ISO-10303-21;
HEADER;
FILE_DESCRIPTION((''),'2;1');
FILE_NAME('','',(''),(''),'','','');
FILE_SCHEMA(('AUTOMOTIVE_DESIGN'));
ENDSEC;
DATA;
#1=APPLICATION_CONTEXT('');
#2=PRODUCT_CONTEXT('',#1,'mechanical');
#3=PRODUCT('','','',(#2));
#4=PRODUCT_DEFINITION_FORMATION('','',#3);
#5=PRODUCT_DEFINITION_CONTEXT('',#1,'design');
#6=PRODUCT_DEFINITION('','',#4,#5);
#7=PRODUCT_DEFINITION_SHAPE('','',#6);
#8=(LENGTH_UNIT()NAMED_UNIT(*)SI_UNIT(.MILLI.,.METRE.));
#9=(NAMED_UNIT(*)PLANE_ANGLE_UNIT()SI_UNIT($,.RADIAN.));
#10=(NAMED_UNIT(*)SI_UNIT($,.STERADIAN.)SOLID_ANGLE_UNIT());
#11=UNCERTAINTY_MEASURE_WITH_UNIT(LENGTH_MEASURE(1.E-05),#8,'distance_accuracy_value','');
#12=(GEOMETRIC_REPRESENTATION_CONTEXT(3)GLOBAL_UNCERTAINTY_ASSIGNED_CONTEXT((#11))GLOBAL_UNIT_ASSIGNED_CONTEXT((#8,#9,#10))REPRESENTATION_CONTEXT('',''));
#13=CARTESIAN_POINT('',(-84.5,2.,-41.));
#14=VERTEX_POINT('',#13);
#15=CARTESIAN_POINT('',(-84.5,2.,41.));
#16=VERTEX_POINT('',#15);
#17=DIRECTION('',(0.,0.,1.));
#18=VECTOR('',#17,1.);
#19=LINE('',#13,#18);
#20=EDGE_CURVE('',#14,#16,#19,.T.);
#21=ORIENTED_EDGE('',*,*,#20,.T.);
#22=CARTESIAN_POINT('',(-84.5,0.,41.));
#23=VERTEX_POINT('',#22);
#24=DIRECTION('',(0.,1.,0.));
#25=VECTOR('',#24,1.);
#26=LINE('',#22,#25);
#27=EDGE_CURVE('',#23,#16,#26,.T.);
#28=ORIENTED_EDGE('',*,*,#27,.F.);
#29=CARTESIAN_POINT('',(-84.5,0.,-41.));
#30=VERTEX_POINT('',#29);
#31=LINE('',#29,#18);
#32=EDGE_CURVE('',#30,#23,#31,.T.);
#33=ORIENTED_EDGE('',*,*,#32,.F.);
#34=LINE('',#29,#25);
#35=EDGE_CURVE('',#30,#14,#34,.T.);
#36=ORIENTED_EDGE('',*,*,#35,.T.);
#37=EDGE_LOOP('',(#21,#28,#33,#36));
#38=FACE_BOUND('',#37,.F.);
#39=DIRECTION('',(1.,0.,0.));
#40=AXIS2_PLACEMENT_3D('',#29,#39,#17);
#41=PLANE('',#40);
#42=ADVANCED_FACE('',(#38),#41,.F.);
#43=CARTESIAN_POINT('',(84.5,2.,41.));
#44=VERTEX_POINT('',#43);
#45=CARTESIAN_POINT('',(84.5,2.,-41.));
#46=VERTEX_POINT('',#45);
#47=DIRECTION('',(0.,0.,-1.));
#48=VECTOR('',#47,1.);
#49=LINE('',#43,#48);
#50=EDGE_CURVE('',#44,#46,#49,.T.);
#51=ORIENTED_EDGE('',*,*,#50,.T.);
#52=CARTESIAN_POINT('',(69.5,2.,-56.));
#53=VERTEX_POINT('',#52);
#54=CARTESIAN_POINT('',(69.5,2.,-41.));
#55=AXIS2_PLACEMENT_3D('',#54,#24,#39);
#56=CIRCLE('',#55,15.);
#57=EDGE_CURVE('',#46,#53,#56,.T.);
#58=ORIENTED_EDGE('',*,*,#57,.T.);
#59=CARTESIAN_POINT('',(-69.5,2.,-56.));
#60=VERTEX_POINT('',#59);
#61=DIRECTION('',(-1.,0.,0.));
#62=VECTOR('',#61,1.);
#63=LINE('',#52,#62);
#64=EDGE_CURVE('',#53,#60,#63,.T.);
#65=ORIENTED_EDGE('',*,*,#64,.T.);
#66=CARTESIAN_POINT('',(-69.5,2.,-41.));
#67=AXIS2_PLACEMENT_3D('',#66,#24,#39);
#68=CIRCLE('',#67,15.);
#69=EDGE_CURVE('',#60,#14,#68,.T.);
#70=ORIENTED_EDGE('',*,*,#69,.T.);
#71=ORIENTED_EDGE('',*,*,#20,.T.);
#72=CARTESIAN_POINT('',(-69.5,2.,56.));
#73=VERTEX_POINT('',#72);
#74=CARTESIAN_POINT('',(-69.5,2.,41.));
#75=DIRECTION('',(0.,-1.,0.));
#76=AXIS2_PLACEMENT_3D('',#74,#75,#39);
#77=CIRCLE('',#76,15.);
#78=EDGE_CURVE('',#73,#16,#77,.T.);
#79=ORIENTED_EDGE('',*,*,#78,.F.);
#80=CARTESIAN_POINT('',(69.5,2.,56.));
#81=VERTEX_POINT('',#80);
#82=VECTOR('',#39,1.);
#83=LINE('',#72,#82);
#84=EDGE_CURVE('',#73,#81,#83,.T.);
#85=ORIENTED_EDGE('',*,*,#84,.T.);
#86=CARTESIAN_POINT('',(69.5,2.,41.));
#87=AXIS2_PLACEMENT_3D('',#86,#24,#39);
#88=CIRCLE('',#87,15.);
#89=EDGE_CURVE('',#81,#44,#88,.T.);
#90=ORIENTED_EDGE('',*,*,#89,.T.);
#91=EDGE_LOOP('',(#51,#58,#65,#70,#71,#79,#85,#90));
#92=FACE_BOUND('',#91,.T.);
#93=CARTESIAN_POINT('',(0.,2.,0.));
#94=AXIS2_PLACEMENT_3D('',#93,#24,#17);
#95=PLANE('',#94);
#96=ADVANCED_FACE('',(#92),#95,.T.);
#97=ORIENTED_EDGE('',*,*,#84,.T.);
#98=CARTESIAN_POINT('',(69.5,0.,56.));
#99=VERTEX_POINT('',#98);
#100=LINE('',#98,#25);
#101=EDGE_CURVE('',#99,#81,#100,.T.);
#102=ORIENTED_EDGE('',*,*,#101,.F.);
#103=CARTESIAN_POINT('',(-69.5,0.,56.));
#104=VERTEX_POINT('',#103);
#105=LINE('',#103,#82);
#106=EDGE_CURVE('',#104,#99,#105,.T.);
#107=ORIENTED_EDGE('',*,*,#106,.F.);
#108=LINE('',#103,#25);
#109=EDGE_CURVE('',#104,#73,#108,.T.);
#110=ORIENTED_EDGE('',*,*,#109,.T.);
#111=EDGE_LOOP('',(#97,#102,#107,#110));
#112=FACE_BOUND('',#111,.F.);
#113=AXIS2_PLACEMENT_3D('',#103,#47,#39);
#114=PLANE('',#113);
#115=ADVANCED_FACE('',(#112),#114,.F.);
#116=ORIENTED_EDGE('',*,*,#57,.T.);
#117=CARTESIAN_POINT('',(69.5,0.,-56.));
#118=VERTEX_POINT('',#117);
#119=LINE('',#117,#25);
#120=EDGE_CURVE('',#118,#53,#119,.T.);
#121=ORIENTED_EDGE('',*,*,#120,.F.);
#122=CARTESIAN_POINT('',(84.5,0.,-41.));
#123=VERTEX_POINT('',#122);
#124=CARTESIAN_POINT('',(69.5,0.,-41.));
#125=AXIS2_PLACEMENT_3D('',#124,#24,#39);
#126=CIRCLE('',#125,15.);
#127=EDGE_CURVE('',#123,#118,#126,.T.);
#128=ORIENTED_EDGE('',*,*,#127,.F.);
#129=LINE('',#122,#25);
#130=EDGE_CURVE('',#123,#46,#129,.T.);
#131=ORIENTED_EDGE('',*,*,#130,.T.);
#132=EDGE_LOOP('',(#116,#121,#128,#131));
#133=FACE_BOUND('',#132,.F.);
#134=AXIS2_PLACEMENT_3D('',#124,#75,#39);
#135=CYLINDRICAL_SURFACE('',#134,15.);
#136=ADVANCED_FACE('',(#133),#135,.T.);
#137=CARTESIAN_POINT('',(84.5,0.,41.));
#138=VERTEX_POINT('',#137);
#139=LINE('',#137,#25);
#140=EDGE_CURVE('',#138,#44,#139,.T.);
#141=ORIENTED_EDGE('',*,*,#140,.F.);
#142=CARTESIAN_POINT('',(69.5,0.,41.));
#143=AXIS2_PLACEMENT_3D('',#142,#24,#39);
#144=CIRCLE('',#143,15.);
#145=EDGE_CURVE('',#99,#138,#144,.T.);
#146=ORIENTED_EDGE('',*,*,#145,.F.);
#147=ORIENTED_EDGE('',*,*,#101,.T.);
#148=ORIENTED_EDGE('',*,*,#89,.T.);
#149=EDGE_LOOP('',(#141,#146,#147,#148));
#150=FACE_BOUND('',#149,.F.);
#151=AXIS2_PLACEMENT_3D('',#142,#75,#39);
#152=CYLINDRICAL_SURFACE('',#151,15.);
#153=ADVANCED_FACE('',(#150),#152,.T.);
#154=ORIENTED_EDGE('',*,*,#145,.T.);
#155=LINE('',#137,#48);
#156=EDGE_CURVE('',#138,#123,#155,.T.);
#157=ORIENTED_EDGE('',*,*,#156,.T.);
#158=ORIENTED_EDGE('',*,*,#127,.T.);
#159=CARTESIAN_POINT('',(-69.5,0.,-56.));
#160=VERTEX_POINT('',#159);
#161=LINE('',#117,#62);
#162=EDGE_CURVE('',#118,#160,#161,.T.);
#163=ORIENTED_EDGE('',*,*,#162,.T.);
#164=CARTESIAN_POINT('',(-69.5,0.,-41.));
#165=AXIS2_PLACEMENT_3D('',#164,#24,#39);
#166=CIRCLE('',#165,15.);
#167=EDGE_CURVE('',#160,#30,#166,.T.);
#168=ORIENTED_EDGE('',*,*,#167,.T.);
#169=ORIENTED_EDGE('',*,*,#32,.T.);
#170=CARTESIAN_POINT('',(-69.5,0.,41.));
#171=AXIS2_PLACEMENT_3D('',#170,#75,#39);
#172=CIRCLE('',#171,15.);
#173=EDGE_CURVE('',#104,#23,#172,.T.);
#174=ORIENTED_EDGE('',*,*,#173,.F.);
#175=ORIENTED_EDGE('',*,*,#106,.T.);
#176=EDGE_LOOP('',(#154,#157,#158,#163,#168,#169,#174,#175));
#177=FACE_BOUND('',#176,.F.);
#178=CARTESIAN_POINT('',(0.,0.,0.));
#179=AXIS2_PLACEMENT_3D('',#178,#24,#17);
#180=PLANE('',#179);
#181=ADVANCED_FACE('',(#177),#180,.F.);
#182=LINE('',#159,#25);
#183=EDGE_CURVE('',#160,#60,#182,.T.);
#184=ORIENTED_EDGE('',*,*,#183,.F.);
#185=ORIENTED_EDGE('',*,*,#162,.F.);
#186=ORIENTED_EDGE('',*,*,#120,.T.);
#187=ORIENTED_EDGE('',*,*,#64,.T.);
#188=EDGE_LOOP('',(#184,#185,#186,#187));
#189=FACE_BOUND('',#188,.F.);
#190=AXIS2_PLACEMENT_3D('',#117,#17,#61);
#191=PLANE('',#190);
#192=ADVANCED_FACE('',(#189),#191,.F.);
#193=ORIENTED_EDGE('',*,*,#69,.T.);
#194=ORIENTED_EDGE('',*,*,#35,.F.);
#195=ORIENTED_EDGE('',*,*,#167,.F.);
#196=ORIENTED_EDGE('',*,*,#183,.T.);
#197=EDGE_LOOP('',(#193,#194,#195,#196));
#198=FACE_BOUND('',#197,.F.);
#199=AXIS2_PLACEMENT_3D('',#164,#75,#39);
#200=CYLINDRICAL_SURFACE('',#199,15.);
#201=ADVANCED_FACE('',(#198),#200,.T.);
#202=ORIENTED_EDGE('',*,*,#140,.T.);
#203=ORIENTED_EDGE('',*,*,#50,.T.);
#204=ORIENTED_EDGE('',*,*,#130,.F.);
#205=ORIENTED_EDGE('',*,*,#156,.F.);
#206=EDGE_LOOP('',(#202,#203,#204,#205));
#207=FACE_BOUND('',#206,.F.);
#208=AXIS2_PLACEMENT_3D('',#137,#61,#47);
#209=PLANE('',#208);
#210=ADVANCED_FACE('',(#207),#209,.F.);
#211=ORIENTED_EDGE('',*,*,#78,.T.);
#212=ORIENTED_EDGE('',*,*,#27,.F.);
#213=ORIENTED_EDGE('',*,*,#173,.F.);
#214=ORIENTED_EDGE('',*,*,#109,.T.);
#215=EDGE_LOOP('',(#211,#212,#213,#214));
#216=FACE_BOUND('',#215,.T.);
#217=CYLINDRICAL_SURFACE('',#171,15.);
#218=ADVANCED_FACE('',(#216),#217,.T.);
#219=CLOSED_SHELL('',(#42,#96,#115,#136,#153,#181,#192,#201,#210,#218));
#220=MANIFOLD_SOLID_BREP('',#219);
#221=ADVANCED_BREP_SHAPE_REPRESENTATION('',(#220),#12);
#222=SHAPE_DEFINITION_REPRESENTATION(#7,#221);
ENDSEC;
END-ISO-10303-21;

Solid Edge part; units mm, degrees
sketch "Sketch1" plane through (0, 0, 0) normal (0, -1, 0) x (1, 0, 0)
  line L0 (-69.5, 56) -> (69.5, 56)
  arc A0 (69.5, 56) -> (84.5, 41) centre (69.5, 41) cw
  line L1 (84.5, 41) -> (84.5, -41)
  arc A1 (84.5, -41) -> (69.5, -56) centre (69.5, -41) cw
  line L2 (69.5, -56) -> (-69.5, -56)
  arc A2 (-69.5, -56) -> (-84.5, -41) centre (-69.5, -41) cw
  line L3 (-84.5, -41) -> (-84.5, 41)
  arc A3 (-69.5, 56) -> (-84.5, 41) centre (-69.5, 41) ccw
extrude "Protrusion1" add sketch "Sketch1" against normal blind 2
properties material "ABS Plastic, high impact"
